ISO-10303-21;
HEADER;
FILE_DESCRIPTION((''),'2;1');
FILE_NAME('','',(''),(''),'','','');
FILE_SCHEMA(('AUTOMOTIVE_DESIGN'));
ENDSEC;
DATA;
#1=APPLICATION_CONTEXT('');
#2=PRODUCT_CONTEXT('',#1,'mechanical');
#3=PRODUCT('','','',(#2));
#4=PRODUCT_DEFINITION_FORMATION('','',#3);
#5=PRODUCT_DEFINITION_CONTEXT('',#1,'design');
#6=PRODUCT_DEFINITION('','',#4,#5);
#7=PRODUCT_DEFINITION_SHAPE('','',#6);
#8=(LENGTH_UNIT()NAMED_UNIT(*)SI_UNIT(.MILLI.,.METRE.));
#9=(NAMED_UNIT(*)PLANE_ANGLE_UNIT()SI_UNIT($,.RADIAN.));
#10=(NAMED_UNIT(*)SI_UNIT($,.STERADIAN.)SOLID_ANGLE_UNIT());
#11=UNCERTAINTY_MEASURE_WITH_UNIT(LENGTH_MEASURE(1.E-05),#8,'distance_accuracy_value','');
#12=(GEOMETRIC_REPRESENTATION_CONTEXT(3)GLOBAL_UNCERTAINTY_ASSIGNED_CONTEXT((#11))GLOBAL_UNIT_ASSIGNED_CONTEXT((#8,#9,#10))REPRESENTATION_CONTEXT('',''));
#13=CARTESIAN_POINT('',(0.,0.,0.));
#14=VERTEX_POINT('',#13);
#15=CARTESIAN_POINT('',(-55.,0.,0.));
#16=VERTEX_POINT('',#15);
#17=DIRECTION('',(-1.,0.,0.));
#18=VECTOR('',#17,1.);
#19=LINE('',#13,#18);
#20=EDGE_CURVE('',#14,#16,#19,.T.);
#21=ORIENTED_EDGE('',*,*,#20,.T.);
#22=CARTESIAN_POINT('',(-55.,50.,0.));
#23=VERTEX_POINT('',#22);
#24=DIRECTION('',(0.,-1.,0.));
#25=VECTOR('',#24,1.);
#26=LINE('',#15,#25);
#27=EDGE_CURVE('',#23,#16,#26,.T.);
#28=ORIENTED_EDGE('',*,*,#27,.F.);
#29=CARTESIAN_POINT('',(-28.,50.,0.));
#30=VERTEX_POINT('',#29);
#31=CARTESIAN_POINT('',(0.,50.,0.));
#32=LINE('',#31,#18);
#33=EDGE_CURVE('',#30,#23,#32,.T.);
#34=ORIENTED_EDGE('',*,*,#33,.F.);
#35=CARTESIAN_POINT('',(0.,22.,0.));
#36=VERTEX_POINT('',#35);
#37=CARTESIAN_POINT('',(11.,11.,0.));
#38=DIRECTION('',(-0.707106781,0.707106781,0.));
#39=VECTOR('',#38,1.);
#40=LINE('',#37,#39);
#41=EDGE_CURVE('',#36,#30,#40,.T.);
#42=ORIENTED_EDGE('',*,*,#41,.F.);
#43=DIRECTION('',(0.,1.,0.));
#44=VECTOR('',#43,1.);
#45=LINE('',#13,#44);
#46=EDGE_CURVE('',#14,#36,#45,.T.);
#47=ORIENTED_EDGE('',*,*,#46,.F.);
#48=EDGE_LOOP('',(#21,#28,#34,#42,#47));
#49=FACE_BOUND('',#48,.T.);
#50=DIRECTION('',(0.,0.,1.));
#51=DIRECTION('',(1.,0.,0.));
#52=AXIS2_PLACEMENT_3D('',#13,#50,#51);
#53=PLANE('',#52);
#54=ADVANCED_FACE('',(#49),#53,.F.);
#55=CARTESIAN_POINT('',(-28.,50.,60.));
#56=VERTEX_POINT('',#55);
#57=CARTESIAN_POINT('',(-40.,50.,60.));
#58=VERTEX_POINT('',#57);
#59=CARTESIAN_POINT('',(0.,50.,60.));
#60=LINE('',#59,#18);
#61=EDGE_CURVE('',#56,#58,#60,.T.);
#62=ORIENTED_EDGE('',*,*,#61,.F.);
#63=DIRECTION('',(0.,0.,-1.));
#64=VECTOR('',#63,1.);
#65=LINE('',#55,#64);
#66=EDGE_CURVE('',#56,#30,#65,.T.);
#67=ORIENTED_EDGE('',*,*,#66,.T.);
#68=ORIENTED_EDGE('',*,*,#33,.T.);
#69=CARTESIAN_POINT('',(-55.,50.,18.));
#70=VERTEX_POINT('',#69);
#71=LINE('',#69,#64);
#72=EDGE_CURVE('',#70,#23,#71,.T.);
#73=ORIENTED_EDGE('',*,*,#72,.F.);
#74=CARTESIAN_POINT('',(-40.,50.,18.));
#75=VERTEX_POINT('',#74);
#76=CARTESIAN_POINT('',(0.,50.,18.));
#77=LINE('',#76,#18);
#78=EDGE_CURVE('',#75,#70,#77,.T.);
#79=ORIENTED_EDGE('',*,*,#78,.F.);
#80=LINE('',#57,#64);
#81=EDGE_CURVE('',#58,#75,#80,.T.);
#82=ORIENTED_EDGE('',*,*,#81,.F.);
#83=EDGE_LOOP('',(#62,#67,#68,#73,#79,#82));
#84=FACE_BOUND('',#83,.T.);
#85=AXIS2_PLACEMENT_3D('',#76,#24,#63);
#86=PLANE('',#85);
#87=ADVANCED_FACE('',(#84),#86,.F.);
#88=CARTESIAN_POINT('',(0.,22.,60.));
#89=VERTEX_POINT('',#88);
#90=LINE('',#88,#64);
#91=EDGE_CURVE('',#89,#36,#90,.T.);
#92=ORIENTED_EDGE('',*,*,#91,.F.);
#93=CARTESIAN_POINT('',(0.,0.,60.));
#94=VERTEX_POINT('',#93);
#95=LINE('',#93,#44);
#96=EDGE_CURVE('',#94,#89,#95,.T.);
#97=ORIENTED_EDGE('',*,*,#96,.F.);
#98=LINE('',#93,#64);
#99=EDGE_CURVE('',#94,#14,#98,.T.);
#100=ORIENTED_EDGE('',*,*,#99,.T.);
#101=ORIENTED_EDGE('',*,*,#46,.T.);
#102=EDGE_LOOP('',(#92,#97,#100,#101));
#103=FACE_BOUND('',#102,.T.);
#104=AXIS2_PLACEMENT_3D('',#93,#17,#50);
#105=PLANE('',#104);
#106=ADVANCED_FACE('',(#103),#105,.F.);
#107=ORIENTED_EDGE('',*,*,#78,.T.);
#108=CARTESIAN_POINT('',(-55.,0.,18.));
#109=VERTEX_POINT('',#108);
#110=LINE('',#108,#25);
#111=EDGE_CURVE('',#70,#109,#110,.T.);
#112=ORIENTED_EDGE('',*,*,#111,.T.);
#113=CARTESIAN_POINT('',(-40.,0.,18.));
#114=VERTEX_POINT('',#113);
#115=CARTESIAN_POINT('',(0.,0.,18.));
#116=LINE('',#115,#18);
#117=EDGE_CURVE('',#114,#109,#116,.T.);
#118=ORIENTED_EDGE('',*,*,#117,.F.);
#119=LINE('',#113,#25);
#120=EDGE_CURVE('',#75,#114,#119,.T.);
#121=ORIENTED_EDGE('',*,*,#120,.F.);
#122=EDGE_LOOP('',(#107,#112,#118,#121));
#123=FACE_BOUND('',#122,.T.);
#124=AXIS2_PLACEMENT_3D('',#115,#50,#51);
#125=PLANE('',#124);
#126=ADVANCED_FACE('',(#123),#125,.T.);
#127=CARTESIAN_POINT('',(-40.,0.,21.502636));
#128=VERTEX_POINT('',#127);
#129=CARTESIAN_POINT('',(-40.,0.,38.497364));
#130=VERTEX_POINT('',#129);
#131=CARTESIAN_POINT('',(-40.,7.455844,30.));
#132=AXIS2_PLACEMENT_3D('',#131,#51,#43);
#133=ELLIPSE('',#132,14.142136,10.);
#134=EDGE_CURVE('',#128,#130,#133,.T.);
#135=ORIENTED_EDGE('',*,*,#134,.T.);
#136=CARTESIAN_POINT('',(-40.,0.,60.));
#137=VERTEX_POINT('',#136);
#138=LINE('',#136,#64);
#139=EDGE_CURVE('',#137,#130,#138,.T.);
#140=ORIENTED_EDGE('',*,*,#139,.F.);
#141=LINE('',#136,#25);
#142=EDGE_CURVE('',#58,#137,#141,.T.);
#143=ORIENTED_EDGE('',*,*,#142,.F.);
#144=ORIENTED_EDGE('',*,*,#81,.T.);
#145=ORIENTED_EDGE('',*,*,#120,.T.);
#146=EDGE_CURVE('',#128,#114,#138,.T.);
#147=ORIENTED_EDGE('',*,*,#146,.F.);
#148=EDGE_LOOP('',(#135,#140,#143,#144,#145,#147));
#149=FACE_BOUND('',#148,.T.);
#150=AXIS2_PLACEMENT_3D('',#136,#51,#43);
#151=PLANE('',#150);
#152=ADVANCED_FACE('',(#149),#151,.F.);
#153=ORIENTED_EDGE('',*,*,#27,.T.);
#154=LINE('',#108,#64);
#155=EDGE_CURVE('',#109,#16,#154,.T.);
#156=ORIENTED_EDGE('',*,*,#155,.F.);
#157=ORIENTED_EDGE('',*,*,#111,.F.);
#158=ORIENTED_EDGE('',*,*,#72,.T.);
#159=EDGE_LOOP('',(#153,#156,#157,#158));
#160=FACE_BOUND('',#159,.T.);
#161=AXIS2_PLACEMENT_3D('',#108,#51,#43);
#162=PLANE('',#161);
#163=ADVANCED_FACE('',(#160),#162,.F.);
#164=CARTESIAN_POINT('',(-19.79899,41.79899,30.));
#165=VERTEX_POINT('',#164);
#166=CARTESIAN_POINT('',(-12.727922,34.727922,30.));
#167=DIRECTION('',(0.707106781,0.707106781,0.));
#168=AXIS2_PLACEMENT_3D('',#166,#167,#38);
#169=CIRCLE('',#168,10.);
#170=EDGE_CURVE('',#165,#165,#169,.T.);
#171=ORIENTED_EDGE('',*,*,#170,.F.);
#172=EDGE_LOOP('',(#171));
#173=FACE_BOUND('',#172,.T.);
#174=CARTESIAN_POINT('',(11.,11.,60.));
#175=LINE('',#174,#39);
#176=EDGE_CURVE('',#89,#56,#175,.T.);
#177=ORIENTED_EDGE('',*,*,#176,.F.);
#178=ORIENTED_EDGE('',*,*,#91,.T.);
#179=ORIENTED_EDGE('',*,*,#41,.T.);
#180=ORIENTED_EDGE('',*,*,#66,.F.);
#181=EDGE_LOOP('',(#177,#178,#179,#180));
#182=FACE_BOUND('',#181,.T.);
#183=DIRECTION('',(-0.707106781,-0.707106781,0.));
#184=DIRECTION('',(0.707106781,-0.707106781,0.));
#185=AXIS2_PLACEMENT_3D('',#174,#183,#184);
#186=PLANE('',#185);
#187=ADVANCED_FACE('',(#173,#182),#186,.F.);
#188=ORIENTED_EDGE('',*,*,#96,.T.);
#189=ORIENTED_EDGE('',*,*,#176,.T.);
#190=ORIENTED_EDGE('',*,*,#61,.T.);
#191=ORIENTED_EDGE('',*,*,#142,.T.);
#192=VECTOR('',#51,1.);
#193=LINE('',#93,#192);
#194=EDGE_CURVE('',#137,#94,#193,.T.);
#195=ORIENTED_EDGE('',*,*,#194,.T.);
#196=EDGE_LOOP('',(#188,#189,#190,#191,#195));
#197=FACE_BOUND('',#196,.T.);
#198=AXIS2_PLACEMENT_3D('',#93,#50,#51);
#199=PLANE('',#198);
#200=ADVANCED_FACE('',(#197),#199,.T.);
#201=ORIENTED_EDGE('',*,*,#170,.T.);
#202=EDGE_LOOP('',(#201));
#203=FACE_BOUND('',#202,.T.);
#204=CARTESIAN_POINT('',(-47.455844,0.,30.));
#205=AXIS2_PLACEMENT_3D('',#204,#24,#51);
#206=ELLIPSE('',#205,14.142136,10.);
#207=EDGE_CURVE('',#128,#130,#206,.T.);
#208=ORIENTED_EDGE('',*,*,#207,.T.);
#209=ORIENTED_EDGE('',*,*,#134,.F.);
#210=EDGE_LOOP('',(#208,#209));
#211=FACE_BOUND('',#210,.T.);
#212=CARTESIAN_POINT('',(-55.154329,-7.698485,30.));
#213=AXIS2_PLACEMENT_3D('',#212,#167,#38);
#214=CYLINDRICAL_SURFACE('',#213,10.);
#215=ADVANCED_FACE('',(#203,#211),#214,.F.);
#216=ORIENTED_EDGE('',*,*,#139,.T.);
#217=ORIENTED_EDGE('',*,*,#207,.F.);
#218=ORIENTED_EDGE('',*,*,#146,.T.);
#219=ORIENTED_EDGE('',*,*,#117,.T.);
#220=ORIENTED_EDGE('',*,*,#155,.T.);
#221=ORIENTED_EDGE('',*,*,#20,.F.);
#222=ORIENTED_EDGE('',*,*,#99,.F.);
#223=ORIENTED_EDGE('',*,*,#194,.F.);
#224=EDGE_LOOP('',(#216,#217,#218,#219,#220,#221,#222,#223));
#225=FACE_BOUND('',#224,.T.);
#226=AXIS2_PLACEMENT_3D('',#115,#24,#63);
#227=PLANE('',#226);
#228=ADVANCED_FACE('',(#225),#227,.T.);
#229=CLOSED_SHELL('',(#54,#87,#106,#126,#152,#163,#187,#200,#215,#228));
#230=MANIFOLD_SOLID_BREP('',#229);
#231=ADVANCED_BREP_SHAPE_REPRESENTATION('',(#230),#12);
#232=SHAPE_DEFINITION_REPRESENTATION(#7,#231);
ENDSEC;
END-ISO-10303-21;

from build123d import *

# Parameters (mm, degrees)
SKETCH1_W           = 15
SKETCH1_H           = 50
BOSS_EXTRUDE1_DEPTH = 18
BOSS_EXTRUDE2_DEPTH = 60
SKETCH2_R           = 10
CUT_EXTRUDE2_DEPTH  = 60


with BuildPart() as part:
    # Sketch1 → Boss-Extrude1 (new body)
    with BuildSketch(Plane.XY):
        with Locations((-47.5, 25)):
            Rectangle(SKETCH1_W, SKETCH1_H)
    extrude(amount=BOSS_EXTRUDE1_DEPTH)

    # Sketch1<3> → Boss-Extrude2 (add)
    with BuildSketch(Plane.XY):
        Polygon((-28, 50), (-40, 50), (-40, 0), (0, 0), (0, 22), align=None)
    extrude(amount=BOSS_EXTRUDE2_DEPTH)

    # Sketch2 → Cut-Extrude2 (cut)
    with BuildSketch(Plane(origin=(11, 11, 0), x_dir=(0, 0, -1), z_dir=(0.7071067811865464, 0.7071067811865488, 0))):
        with Locations((-30, 33.556349186)):
            Circle(SKETCH2_R)
    extrude(amount=-CUT_EXTRUDE2_DEPTH, mode=Mode.SUBTRACT)


solid = part.part
